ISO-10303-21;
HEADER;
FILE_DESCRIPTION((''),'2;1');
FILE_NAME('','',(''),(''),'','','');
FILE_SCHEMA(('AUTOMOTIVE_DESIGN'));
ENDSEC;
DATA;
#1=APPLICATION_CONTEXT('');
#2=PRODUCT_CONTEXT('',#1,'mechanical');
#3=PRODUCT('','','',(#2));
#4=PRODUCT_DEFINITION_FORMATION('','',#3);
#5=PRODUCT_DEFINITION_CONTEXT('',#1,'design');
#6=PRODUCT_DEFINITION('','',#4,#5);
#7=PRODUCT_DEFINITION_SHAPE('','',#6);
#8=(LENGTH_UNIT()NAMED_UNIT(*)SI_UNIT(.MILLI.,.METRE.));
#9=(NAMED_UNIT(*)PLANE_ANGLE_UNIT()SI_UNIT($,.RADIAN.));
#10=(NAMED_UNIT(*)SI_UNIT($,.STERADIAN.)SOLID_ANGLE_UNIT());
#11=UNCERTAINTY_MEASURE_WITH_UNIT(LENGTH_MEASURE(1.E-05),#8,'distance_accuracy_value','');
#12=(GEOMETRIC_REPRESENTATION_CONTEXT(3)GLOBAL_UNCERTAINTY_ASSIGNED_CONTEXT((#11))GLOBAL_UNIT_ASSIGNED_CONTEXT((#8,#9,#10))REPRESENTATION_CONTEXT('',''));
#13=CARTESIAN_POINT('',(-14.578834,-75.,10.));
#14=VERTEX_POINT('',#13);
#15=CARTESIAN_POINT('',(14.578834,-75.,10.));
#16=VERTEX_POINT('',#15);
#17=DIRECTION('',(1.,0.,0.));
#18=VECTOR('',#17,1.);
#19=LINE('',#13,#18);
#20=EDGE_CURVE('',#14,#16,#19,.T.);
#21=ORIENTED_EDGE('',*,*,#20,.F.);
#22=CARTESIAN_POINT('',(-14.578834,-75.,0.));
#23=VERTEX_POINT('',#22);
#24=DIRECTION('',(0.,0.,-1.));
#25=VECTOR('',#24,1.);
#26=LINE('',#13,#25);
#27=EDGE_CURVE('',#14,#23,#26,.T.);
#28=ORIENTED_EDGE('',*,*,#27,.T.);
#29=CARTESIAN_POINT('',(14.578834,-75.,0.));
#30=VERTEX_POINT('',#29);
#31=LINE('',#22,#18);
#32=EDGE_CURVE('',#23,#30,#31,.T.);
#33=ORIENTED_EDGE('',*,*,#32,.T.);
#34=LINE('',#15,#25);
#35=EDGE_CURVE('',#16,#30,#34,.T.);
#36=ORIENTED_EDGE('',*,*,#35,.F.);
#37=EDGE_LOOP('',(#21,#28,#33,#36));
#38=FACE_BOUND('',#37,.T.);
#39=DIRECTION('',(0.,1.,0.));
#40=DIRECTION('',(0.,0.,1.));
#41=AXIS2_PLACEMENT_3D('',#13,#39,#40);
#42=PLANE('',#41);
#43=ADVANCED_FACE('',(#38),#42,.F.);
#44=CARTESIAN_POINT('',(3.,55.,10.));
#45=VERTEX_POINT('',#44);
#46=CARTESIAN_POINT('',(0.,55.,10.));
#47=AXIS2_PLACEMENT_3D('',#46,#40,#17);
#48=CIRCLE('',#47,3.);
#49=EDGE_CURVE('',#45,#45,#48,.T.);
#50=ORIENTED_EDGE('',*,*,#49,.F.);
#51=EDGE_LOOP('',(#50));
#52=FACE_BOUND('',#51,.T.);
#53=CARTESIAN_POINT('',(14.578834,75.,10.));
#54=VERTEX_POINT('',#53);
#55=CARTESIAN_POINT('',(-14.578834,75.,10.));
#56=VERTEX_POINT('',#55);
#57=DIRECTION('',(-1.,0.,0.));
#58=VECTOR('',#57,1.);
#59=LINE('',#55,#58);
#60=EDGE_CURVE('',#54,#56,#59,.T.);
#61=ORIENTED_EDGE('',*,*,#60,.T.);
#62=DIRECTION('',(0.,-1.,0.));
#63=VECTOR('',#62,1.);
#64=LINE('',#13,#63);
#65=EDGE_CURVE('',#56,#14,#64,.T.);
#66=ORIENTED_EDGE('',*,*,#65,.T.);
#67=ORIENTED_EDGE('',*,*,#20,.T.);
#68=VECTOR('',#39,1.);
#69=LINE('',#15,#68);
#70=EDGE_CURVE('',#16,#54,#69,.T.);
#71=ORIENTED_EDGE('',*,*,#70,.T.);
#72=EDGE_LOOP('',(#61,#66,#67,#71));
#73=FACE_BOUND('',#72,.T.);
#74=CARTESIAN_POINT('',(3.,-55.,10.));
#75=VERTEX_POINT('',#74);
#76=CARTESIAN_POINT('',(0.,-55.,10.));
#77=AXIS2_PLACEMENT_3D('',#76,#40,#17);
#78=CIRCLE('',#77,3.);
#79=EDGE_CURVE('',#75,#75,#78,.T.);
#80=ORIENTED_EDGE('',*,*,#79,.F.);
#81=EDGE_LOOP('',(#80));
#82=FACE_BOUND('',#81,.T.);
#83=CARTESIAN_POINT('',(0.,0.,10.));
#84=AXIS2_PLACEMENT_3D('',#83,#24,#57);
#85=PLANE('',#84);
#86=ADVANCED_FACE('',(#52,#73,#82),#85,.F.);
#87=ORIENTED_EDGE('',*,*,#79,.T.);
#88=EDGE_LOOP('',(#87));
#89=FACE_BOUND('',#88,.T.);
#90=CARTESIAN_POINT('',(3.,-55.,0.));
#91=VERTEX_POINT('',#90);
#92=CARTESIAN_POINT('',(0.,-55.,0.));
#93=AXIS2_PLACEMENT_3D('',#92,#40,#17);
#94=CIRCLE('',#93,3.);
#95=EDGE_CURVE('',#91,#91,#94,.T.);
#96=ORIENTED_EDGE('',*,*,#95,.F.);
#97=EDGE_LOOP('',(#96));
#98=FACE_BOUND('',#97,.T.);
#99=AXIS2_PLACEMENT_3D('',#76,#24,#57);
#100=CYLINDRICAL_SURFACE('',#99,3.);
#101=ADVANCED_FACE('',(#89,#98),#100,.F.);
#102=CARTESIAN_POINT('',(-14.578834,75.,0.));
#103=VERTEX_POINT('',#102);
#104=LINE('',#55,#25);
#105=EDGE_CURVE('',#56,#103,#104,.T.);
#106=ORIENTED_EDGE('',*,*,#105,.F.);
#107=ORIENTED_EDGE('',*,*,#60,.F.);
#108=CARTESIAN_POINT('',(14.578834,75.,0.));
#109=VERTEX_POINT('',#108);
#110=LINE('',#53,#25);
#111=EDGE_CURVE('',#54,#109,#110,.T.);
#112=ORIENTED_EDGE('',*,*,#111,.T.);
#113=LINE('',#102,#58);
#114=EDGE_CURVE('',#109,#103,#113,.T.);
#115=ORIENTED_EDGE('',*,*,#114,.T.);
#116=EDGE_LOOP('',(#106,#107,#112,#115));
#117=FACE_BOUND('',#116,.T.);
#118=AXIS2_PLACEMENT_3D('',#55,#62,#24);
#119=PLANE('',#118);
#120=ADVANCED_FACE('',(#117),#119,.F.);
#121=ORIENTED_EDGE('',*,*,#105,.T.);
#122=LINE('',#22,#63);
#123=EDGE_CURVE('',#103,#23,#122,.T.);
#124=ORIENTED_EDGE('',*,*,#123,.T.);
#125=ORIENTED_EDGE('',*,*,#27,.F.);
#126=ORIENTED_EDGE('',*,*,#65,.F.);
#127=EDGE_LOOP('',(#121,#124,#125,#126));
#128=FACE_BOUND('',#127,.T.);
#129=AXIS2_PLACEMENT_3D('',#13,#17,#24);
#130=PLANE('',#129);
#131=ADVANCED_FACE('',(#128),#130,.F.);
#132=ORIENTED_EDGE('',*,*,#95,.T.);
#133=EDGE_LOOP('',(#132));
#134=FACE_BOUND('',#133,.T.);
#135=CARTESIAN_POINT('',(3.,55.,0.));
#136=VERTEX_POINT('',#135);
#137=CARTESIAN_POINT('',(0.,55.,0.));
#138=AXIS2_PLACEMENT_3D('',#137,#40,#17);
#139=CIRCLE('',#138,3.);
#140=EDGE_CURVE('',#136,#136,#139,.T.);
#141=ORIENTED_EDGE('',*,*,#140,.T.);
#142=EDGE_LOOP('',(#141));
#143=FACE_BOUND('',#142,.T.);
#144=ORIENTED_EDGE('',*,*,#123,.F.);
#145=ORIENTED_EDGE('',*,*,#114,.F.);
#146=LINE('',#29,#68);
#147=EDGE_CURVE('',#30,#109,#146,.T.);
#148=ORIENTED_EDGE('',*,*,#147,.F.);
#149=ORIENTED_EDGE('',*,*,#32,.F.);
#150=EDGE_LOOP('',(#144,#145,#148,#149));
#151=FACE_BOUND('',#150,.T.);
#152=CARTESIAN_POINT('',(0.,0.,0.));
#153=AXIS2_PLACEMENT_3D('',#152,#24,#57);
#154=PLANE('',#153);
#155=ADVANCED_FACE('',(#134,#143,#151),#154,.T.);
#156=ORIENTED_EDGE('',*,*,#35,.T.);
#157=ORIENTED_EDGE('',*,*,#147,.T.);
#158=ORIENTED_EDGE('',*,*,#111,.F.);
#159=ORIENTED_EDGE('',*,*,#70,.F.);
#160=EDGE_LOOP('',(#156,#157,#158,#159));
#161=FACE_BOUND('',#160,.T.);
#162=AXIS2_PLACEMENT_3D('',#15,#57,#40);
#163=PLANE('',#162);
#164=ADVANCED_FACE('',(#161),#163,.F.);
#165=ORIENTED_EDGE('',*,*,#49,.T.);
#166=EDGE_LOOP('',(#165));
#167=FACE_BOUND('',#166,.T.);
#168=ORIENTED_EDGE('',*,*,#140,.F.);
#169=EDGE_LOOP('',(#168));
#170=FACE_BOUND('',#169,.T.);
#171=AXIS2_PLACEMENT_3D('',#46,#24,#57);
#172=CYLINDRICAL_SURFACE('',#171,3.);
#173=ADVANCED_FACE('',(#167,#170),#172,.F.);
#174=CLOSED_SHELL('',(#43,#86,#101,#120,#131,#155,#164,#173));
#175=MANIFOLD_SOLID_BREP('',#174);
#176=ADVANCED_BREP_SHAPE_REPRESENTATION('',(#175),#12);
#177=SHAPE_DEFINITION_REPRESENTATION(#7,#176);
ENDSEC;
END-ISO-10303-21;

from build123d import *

# Parameters (mm, degrees)
SKETCH1_W           = 29.157667386
SKETCH1_H           = 150
SKETCH1_R           = 3
BOSS_EXTRUDE1_DEPTH = 10


with BuildPart() as part:
    # Sketch1 → Boss-Extrude1 (new body)
    with BuildSketch(Plane.XY):
        Rectangle(SKETCH1_W, SKETCH1_H)
        with Locations((0, 55)):
            Circle(SKETCH1_R, mode=Mode.SUBTRACT)
        with Locations((0, -55)):
            Circle(SKETCH1_R, mode=Mode.SUBTRACT)
    extrude(amount=BOSS_EXTRUDE1_DEPTH)


solid = part.part
